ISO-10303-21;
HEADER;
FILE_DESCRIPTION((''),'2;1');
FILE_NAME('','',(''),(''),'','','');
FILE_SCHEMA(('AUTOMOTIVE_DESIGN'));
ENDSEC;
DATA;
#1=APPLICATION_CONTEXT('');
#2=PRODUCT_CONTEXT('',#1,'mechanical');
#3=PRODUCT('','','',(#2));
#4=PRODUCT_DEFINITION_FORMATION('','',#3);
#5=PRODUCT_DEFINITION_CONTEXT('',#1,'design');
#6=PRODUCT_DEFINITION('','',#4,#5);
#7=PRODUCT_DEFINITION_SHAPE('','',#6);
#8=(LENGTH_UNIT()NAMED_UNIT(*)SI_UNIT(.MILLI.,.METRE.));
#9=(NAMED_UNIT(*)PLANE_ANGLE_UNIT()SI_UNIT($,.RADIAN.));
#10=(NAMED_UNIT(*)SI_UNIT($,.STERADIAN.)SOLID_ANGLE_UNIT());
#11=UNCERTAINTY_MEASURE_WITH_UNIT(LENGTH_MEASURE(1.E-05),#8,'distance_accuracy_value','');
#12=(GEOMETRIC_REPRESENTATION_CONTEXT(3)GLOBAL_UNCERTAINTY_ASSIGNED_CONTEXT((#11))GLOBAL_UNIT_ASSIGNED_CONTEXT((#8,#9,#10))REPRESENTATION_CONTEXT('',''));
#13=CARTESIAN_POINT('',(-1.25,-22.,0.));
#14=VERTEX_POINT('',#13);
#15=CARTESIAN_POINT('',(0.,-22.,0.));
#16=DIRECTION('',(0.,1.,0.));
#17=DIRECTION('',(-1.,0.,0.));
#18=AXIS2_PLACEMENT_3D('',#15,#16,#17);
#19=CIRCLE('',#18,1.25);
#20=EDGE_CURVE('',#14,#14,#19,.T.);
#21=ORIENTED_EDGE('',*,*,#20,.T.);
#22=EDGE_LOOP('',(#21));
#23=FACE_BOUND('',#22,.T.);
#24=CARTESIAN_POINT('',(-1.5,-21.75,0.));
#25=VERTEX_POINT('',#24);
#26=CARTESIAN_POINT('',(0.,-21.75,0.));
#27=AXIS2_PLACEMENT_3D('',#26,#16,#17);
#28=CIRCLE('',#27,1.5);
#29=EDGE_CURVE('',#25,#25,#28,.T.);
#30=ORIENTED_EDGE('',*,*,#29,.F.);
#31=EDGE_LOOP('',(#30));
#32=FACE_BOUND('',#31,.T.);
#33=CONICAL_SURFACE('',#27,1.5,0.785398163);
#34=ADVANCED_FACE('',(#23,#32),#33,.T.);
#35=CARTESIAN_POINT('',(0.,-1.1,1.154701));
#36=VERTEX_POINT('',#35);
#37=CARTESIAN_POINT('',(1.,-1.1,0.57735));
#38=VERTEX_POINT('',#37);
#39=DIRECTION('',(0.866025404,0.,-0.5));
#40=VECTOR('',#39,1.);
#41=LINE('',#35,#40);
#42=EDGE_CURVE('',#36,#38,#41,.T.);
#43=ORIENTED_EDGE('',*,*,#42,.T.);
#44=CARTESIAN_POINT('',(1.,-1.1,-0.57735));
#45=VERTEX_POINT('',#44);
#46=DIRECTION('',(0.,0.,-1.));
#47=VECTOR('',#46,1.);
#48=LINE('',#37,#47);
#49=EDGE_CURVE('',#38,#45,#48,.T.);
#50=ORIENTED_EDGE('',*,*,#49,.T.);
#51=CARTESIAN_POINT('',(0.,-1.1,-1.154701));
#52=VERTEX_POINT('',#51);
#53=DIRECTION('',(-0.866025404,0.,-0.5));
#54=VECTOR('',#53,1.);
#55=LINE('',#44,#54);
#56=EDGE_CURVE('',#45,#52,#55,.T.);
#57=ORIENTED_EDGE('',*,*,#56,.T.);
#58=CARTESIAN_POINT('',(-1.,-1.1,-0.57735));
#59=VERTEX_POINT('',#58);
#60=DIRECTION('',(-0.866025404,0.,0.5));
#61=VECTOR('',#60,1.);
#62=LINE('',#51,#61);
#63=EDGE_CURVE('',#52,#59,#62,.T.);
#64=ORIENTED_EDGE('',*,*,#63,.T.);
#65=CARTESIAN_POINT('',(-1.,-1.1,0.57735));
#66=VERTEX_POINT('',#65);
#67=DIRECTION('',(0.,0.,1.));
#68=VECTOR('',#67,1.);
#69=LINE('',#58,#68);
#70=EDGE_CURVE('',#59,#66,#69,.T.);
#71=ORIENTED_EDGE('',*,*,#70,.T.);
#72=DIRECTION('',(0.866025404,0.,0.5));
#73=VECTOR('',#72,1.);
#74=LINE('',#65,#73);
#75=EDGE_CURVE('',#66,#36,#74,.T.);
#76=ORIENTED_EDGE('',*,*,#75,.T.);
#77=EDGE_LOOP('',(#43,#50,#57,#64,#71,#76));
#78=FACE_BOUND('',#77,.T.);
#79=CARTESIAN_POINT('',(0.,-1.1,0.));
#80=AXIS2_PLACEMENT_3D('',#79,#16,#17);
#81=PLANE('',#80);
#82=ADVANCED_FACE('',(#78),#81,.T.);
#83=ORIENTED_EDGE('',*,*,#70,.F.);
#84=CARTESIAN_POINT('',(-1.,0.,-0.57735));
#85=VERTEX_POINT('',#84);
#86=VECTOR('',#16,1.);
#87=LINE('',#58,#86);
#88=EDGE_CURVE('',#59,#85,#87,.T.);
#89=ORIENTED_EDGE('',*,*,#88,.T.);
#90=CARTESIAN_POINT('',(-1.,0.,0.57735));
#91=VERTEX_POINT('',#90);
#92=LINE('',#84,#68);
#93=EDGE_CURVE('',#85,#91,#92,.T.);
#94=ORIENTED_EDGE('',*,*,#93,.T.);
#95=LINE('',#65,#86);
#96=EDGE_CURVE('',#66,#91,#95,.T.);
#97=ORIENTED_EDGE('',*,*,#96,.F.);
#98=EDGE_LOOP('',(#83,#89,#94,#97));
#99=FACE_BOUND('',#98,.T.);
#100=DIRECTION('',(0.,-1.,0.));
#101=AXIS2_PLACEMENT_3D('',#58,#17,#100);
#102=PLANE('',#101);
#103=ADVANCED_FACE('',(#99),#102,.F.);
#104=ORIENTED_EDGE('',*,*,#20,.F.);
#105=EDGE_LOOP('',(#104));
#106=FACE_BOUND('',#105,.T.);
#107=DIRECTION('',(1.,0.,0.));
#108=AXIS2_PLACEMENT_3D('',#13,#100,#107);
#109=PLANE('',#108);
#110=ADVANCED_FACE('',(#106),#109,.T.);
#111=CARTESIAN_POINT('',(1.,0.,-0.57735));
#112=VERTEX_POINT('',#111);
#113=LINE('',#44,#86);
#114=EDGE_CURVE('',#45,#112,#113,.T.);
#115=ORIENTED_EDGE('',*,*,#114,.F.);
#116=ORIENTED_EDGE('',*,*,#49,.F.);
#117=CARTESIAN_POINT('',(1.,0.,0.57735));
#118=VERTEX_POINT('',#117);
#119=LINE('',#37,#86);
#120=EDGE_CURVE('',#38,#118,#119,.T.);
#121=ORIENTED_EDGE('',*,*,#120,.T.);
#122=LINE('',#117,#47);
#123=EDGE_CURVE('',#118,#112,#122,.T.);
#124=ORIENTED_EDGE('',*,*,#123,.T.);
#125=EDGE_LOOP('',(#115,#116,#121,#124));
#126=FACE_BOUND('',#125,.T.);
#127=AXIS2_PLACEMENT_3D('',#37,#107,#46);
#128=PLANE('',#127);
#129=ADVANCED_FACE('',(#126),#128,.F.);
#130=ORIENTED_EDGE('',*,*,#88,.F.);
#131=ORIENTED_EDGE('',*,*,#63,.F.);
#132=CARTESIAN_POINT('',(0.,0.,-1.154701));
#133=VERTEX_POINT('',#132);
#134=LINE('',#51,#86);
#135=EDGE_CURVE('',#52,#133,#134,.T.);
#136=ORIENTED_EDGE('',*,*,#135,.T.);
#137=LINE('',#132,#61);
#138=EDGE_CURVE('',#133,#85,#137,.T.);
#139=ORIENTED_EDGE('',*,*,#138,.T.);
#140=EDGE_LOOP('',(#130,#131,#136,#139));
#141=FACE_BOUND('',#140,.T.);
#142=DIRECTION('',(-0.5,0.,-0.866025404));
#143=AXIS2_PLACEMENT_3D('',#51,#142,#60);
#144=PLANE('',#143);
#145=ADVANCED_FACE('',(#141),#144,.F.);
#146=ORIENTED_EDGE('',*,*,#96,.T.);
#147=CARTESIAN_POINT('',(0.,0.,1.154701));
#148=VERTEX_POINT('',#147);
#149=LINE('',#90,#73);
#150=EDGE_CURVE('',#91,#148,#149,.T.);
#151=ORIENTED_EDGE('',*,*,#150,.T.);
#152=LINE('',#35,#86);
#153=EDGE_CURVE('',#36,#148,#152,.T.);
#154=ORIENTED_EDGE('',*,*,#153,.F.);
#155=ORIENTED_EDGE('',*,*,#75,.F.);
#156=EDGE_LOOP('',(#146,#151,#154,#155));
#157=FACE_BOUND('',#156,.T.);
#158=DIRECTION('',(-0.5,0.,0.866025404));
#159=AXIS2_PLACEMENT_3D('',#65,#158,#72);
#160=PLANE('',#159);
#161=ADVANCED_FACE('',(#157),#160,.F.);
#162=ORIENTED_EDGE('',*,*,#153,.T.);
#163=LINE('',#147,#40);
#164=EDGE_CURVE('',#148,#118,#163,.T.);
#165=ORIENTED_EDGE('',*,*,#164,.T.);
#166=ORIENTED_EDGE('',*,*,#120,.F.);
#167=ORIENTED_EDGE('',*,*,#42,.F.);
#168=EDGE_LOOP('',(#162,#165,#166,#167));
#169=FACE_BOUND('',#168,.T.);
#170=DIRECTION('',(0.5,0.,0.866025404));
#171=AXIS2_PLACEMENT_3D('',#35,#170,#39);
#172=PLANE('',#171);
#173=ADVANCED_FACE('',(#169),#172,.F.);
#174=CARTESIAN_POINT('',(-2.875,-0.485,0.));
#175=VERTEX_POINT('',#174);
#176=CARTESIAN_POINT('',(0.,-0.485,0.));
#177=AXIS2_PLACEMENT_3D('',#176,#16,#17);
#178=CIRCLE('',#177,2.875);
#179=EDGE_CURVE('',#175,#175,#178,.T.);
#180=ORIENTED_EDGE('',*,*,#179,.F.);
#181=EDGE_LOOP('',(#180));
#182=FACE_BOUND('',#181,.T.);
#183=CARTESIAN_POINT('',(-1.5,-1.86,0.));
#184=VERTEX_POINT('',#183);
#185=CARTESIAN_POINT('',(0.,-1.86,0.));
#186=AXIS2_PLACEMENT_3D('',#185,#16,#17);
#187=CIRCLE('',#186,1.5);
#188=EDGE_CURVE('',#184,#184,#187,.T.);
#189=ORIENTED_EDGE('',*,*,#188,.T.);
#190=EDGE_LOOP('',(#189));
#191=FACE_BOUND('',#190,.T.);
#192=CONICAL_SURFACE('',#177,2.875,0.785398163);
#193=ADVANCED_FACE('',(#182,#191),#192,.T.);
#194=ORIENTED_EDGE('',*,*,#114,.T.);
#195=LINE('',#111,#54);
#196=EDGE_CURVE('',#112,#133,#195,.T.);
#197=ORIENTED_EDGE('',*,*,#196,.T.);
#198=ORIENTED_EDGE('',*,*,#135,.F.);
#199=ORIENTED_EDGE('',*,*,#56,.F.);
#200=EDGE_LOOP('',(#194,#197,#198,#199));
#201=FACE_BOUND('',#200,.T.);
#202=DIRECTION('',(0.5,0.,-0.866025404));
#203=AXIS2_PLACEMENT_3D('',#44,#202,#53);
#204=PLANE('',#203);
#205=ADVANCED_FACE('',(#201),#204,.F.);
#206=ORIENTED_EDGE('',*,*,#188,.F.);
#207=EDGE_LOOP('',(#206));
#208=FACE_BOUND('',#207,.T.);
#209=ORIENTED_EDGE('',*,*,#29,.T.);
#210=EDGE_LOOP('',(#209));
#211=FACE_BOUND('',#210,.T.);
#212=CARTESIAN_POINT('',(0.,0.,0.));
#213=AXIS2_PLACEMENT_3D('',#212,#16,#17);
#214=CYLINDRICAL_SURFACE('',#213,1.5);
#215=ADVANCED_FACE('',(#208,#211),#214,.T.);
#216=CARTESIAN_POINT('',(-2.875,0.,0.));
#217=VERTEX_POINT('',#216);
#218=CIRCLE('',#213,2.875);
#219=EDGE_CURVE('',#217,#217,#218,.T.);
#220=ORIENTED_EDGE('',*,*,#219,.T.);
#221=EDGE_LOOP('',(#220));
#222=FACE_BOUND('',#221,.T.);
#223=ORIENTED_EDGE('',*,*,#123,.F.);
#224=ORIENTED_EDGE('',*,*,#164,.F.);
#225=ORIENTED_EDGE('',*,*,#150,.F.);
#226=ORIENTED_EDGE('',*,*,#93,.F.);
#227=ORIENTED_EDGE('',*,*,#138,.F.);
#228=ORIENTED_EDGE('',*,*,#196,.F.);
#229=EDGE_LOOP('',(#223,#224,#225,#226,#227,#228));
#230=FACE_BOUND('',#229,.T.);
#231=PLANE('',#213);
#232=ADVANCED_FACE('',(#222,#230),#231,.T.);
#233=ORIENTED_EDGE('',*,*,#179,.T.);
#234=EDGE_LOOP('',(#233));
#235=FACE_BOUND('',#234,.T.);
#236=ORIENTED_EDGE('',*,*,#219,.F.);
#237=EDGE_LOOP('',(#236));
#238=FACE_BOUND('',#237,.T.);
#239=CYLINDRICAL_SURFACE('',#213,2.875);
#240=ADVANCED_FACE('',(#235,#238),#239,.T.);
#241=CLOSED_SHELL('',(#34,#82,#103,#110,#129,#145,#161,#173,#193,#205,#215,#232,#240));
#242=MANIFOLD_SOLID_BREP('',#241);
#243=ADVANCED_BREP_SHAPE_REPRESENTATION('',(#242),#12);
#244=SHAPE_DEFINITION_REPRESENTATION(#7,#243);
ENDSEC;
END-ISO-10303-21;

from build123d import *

# Parameters (mm, degrees)
CUT_EXTRUDE1_DEPTH = 1.1


with BuildPart() as part:
    # Sketch1 → Revolve1 (revolve)
    with BuildSketch(Plane.XY):
        Polygon((0, 0), (0, -22), (-1.25, -22), (-1.5, -21.75), (-1.5, -1.86), (-2.875, -0.485), (-2.875, 0), align=None)
    revolve(axis=Axis((0, 0, 0), (0, -1, 0)))

    # Sketch2 → Cut-Extrude1 (cut)
    with BuildSketch(Plane(origin=(0, 0, 0), x_dir=(1, 0, 0), z_dir=(0, 1, 0))):
        Polygon((-1, 0.577350269), (-1, -0.577350269), (0, -1.154700538), (1, -0.577350269), (1, 0.577350269), (0, 1.154700538), align=None)
    extrude(amount=-CUT_EXTRUDE1_DEPTH, mode=Mode.SUBTRACT)


solid = part.part
